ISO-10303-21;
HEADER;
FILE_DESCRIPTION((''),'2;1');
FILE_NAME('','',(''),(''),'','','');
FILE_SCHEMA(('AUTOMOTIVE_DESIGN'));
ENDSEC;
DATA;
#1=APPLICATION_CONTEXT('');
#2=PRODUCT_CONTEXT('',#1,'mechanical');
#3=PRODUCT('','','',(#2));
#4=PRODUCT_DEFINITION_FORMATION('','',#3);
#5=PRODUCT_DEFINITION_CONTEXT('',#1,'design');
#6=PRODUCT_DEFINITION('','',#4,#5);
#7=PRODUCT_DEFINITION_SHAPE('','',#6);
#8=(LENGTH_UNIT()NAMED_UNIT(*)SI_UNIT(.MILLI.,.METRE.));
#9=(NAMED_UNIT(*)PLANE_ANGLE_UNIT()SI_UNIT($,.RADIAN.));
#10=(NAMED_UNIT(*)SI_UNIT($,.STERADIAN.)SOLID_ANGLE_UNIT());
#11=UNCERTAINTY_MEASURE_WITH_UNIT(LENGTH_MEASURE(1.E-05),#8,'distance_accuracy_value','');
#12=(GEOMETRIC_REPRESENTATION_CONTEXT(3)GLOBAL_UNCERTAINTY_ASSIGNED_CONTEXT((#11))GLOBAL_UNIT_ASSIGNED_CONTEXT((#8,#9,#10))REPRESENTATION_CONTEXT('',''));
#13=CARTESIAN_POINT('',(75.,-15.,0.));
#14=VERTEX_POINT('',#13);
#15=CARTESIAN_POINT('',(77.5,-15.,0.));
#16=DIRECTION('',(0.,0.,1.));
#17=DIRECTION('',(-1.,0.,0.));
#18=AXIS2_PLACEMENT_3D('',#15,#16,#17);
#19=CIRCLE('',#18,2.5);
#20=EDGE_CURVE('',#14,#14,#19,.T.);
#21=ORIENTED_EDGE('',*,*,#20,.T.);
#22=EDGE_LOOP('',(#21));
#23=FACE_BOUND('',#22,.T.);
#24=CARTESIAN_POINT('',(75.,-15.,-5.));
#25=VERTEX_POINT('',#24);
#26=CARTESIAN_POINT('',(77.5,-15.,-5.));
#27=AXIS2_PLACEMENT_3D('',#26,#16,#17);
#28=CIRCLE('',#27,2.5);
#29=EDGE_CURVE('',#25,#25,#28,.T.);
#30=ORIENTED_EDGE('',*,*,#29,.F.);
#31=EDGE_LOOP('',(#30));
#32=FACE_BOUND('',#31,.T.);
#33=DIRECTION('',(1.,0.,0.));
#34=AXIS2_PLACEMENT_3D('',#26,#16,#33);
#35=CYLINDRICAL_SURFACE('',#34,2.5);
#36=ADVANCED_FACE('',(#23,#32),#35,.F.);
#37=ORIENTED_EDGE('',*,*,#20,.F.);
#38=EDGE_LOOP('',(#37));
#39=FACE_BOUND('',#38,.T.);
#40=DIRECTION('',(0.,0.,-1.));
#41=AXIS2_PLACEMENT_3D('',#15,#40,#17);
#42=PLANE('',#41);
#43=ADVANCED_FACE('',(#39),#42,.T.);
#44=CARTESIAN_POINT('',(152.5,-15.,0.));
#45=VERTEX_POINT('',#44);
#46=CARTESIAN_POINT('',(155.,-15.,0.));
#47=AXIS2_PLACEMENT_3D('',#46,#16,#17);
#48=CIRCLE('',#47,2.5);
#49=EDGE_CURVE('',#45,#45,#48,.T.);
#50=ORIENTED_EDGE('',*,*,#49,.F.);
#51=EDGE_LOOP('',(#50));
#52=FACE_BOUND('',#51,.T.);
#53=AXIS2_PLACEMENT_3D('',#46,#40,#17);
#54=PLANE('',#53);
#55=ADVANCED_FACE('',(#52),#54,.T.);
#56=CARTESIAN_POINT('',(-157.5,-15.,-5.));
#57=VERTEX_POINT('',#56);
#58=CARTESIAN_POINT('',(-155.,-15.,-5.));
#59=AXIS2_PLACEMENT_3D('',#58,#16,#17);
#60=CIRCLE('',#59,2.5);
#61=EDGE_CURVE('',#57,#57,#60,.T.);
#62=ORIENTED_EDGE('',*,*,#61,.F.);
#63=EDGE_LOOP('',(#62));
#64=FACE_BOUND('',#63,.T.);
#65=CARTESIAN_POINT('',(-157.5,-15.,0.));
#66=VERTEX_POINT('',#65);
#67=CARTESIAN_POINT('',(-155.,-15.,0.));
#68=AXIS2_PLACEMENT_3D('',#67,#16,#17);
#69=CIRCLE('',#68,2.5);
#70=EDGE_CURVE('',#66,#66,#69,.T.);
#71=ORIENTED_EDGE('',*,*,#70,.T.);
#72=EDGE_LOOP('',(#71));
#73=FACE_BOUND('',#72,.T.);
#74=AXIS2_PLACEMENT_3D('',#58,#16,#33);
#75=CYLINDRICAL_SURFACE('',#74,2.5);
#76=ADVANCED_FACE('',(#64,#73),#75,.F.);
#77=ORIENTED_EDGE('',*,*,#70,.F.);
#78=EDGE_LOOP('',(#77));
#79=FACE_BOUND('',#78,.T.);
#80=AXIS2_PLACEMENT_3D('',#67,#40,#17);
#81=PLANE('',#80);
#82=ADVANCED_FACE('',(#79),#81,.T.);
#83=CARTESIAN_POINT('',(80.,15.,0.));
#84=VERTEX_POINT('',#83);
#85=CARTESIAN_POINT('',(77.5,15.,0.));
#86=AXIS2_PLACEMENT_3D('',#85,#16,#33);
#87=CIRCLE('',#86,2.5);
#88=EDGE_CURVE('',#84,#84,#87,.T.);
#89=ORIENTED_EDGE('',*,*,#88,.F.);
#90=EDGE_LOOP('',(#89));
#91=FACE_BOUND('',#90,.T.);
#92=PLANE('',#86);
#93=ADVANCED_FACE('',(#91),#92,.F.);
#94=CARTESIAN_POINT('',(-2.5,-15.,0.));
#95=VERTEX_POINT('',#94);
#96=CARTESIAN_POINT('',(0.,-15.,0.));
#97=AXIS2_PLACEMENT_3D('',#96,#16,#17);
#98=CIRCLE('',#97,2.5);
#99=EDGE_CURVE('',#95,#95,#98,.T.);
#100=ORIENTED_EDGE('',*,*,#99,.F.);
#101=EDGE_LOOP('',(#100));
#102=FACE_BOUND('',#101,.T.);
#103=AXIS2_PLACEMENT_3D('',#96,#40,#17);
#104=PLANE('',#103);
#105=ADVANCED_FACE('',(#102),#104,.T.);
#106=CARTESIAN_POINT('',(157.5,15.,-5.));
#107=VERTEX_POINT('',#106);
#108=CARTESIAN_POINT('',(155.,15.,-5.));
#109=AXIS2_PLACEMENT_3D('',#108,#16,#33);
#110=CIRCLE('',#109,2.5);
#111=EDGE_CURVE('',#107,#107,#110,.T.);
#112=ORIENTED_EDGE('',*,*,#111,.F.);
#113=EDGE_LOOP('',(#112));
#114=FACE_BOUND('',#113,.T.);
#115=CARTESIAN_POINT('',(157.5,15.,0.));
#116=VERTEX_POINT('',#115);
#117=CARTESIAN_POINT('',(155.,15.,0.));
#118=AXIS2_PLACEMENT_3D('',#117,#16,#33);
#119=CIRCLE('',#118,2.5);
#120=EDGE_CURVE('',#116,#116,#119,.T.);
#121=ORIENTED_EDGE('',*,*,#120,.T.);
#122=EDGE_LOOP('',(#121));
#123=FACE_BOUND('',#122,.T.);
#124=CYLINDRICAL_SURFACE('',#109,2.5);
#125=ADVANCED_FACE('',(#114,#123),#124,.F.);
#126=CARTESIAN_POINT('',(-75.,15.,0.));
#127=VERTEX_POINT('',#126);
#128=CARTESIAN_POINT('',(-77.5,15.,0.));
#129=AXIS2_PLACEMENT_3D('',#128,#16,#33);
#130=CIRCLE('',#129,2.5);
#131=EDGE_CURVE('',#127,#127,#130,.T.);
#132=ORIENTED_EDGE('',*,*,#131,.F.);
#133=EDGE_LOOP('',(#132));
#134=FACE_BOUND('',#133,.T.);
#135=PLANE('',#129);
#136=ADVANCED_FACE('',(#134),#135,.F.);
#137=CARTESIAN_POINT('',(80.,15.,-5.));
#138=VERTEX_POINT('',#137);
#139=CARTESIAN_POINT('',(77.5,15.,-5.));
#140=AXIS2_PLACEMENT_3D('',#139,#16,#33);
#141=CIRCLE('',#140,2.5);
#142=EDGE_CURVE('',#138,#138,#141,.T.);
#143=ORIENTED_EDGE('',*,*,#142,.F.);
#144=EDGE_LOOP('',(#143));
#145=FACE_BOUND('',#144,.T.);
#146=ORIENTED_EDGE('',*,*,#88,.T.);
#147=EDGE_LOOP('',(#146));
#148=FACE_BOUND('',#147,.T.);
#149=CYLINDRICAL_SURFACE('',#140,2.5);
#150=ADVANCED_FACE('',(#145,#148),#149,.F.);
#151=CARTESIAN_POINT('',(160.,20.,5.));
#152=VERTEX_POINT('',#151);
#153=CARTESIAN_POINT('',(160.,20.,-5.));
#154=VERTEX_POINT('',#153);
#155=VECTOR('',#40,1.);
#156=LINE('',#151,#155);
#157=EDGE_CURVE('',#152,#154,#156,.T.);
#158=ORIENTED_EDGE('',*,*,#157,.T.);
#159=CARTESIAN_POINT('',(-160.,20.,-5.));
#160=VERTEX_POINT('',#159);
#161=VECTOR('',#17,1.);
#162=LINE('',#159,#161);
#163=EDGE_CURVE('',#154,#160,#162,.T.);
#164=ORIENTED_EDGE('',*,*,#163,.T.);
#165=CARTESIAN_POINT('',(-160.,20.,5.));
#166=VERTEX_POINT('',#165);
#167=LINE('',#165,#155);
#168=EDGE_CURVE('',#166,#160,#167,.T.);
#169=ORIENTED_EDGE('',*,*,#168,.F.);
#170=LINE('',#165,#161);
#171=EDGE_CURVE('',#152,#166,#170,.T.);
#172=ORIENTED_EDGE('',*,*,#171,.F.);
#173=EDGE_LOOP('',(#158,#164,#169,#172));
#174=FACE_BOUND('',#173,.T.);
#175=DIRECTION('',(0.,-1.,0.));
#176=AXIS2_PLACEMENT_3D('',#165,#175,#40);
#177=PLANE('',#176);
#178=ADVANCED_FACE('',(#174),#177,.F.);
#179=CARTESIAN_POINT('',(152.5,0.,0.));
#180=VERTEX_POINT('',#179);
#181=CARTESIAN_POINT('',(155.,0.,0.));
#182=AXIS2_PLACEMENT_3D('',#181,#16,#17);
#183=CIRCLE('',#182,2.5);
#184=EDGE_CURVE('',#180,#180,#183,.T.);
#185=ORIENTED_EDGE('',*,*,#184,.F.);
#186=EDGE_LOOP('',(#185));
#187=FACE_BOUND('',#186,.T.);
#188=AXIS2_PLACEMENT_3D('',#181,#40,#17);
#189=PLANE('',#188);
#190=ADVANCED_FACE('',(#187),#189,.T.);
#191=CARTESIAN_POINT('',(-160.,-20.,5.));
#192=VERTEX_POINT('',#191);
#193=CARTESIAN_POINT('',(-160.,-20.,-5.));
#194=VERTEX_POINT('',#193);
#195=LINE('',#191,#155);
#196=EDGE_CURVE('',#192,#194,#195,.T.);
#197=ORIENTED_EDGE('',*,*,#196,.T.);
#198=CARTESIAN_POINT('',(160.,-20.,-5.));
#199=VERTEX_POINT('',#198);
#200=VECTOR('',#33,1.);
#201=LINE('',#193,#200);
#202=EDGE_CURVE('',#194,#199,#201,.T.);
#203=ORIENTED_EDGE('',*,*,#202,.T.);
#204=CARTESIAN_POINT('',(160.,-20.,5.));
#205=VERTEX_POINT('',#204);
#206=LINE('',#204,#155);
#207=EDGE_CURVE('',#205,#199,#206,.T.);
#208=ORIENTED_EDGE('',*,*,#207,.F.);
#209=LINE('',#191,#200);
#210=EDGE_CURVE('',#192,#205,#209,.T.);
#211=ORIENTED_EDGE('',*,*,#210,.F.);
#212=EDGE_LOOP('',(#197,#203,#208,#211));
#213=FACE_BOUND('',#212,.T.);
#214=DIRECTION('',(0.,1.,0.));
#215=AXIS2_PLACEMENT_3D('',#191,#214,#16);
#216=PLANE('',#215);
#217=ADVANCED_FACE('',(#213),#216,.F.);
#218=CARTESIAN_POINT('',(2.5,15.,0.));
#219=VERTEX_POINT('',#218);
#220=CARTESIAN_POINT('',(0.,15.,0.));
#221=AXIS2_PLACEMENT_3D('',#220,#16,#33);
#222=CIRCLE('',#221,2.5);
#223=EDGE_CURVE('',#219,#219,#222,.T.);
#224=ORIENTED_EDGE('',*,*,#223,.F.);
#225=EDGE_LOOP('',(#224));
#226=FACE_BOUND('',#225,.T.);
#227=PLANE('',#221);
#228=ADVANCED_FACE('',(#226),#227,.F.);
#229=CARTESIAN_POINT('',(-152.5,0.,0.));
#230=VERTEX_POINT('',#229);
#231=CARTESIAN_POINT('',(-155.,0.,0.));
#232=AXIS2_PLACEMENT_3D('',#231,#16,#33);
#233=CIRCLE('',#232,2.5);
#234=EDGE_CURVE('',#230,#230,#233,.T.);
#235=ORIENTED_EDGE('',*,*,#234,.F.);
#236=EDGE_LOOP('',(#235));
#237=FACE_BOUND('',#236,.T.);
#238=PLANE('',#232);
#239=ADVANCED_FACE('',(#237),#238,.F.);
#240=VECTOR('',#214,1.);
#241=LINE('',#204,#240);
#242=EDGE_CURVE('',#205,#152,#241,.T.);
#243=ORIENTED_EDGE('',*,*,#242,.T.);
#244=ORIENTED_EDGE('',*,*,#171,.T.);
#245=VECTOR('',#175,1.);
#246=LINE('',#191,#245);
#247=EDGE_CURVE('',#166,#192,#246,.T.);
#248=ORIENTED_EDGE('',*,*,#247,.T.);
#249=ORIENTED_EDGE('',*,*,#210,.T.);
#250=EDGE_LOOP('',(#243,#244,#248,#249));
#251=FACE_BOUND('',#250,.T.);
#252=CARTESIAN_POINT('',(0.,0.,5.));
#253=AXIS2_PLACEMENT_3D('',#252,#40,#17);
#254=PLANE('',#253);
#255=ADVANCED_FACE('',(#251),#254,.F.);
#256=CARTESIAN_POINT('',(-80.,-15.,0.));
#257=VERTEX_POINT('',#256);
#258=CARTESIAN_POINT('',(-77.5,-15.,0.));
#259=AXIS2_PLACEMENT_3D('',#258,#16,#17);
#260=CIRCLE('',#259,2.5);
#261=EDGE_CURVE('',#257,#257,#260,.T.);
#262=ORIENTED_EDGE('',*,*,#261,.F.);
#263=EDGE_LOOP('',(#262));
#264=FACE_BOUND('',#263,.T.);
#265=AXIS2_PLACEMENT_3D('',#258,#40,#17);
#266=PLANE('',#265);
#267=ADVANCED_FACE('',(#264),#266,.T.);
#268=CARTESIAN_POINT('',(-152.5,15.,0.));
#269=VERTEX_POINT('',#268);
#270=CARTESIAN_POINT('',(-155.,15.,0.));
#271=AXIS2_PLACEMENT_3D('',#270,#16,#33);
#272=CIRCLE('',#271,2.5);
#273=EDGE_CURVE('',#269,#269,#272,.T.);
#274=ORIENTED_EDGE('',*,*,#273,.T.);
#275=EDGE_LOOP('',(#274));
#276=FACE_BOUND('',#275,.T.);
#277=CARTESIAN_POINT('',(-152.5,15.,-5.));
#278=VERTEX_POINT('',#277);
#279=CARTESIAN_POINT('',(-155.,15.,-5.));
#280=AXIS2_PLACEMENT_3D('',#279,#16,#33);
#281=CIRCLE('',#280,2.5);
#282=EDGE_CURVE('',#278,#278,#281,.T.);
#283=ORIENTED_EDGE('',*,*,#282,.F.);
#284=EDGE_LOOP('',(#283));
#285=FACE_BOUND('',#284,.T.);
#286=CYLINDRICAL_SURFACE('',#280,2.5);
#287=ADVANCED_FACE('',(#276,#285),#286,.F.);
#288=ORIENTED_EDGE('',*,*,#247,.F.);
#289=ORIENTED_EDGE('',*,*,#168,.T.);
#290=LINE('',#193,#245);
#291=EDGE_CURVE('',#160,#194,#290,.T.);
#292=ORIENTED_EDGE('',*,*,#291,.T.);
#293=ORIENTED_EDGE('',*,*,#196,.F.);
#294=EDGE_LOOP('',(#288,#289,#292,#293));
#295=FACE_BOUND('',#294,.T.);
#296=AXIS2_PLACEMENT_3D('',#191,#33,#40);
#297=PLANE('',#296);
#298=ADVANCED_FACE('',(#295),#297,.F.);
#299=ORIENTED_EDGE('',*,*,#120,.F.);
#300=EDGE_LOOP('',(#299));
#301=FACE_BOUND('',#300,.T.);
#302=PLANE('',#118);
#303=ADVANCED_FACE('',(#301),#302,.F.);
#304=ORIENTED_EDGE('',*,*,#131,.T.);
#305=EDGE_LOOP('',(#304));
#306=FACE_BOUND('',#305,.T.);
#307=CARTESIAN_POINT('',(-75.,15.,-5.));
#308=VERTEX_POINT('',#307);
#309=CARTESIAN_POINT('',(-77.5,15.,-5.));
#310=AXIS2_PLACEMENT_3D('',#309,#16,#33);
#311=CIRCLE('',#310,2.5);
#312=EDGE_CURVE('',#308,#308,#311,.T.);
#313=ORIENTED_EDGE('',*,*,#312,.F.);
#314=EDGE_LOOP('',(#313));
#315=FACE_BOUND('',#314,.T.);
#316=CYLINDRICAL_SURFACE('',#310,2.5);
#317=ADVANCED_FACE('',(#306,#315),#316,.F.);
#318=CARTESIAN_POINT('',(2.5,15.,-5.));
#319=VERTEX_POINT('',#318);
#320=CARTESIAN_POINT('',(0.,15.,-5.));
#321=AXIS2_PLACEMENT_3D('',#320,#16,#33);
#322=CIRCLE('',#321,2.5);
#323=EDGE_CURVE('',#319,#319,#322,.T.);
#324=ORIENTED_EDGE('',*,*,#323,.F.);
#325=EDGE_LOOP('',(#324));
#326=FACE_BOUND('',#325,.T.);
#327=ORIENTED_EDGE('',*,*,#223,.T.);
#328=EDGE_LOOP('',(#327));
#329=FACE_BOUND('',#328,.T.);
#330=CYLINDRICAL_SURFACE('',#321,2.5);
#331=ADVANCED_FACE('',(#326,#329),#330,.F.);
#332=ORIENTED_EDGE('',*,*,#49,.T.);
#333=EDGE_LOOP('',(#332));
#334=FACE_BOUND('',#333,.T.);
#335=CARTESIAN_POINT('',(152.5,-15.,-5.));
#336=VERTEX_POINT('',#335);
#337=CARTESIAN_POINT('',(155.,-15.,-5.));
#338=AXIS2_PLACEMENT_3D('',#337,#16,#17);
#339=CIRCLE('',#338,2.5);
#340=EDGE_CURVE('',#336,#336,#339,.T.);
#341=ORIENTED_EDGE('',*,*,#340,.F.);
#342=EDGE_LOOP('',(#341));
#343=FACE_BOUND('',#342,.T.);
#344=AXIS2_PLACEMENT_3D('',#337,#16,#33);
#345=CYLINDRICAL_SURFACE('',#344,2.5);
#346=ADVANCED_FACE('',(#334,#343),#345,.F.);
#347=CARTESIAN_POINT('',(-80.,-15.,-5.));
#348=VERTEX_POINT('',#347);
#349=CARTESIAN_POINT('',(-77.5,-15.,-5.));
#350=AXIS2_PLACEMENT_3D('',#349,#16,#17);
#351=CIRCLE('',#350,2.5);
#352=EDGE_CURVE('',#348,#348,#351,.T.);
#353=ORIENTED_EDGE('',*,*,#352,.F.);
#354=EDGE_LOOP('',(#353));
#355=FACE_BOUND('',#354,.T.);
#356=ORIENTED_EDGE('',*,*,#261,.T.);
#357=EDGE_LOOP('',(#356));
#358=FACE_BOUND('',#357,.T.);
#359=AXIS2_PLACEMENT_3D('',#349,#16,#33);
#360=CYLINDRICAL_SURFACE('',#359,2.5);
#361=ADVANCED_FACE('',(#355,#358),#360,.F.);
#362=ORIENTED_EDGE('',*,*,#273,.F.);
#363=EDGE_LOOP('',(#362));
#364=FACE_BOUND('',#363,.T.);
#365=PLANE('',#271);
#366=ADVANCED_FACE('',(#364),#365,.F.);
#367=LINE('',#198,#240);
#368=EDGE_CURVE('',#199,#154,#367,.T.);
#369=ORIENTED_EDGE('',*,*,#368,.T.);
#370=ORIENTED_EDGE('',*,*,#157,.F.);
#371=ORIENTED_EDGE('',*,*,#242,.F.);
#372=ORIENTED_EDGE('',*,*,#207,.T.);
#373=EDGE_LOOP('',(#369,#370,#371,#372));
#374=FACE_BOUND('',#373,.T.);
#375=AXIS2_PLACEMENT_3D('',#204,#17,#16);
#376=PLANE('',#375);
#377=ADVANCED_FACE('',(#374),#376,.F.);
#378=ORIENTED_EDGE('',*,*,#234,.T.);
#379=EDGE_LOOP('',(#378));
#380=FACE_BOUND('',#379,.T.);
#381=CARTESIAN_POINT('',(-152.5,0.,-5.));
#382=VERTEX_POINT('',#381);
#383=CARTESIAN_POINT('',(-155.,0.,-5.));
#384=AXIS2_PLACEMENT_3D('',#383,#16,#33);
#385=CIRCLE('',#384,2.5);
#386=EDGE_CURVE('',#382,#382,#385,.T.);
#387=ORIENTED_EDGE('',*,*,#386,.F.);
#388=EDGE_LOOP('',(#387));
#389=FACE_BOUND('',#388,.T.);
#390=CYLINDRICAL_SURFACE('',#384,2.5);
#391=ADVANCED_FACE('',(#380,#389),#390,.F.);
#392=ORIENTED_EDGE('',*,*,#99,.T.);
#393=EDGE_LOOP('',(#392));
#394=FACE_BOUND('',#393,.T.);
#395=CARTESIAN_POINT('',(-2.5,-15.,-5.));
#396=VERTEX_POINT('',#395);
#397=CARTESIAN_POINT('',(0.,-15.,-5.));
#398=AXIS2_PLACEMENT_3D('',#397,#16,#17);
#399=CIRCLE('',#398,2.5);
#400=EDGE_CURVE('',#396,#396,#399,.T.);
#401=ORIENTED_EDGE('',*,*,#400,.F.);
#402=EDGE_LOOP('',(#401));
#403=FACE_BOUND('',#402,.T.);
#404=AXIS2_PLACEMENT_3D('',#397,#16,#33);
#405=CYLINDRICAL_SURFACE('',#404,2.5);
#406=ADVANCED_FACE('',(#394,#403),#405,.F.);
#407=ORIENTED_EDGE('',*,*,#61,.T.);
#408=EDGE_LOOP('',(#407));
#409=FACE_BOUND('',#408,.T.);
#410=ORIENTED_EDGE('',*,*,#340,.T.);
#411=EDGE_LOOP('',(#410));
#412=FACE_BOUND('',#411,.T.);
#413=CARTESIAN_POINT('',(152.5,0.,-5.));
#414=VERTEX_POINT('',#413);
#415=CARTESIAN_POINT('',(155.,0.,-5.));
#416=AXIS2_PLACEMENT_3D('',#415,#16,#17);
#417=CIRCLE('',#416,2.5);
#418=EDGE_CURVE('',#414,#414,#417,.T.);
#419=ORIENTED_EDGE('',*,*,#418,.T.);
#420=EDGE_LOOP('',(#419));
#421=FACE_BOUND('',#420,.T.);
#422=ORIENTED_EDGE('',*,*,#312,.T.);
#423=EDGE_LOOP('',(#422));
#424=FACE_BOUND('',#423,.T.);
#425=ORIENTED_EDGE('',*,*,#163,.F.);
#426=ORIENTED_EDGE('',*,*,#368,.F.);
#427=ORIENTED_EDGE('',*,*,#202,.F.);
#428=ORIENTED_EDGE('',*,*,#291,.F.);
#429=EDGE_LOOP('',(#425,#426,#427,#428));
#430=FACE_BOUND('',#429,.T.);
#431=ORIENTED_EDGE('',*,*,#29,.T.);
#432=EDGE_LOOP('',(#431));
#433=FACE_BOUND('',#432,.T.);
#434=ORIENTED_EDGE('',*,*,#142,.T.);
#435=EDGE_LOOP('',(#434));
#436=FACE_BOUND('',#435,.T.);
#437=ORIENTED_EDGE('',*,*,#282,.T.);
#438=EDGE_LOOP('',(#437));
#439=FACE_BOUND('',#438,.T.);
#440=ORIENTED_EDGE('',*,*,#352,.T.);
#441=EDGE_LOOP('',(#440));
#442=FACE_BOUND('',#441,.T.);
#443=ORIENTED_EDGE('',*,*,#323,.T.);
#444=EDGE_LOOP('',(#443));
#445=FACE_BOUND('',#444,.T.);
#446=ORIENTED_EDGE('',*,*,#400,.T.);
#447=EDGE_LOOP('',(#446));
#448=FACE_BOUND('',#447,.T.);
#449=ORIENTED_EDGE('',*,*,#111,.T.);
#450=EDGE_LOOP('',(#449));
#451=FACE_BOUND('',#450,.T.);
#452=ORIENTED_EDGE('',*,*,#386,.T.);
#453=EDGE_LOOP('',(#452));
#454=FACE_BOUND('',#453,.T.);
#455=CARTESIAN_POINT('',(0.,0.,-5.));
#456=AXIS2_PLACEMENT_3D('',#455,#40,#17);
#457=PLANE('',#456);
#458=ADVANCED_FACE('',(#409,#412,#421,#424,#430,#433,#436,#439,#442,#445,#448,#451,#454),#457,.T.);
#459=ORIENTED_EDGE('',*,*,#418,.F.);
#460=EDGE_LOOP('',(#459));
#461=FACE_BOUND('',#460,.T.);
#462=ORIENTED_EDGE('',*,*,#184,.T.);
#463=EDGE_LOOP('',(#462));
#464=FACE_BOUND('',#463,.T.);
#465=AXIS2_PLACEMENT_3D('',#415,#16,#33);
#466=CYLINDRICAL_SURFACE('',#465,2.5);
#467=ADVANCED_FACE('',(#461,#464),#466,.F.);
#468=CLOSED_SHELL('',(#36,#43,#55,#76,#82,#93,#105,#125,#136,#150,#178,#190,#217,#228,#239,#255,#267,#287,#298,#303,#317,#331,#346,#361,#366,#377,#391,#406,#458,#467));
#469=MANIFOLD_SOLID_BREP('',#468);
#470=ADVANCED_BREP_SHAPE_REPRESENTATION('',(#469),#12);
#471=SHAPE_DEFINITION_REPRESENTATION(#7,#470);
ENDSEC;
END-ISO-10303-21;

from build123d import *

# Parameters (mm, degrees)
CROQUIS1_W              = 320
CROQUIS1_H              = 40
SALIENTE_EXTRUIR1_DEPTH = 5
CROQUIS2_R              = 2.5
CORTAR_EXTRUIR1_DEPTH   = 5


with BuildPart() as part:
    # Croquis1 → Saliente-Extruir1 (new, symmetric)
    with BuildSketch(Plane.XY):
        Rectangle(CROQUIS1_W, CROQUIS1_H)
    extrude(amount=SALIENTE_EXTRUIR1_DEPTH, both=True)

    # Croquis2 → Cortar-Extruir1 (cut)
    with BuildSketch(Plane.XY):
        with Locations((155, 15)):
            Circle(CROQUIS2_R)
        with Locations((77.5, 15)):
            Circle(CROQUIS2_R)
        with Locations((0, 15)):
            Circle(CROQUIS2_R)
        with Locations((-77.5, 15)):
            Circle(CROQUIS2_R)
        with Locations((-155, 15)):
            Circle(CROQUIS2_R)
        with Locations(Location((155, -15, 0), (0, 0, 180))):
            Circle(CROQUIS2_R)
        with Locations(Location((77.5, -15, 0), (0, 0, 180))):
            Circle(CROQUIS2_R)
        with Locations(Location((0, -15, 0), (0, 0, 180))):
            Circle(CROQUIS2_R)
        with Locations(Location((-77.5, -15, 0), (0, 0, 180))):
            Circle(CROQUIS2_R)
        with Locations(Location((-155, -15, 0), (0, 0, 180))):
            Circle(CROQUIS2_R)
        with Locations((-155, 0)):
            Circle(CROQUIS2_R)
        with Locations(Location((155, 0, 0), (0, 0, 180))):
            Circle(CROQUIS2_R)
    extrude(amount=-CORTAR_EXTRUIR1_DEPTH, mode=Mode.SUBTRACT)


solid = part.part
